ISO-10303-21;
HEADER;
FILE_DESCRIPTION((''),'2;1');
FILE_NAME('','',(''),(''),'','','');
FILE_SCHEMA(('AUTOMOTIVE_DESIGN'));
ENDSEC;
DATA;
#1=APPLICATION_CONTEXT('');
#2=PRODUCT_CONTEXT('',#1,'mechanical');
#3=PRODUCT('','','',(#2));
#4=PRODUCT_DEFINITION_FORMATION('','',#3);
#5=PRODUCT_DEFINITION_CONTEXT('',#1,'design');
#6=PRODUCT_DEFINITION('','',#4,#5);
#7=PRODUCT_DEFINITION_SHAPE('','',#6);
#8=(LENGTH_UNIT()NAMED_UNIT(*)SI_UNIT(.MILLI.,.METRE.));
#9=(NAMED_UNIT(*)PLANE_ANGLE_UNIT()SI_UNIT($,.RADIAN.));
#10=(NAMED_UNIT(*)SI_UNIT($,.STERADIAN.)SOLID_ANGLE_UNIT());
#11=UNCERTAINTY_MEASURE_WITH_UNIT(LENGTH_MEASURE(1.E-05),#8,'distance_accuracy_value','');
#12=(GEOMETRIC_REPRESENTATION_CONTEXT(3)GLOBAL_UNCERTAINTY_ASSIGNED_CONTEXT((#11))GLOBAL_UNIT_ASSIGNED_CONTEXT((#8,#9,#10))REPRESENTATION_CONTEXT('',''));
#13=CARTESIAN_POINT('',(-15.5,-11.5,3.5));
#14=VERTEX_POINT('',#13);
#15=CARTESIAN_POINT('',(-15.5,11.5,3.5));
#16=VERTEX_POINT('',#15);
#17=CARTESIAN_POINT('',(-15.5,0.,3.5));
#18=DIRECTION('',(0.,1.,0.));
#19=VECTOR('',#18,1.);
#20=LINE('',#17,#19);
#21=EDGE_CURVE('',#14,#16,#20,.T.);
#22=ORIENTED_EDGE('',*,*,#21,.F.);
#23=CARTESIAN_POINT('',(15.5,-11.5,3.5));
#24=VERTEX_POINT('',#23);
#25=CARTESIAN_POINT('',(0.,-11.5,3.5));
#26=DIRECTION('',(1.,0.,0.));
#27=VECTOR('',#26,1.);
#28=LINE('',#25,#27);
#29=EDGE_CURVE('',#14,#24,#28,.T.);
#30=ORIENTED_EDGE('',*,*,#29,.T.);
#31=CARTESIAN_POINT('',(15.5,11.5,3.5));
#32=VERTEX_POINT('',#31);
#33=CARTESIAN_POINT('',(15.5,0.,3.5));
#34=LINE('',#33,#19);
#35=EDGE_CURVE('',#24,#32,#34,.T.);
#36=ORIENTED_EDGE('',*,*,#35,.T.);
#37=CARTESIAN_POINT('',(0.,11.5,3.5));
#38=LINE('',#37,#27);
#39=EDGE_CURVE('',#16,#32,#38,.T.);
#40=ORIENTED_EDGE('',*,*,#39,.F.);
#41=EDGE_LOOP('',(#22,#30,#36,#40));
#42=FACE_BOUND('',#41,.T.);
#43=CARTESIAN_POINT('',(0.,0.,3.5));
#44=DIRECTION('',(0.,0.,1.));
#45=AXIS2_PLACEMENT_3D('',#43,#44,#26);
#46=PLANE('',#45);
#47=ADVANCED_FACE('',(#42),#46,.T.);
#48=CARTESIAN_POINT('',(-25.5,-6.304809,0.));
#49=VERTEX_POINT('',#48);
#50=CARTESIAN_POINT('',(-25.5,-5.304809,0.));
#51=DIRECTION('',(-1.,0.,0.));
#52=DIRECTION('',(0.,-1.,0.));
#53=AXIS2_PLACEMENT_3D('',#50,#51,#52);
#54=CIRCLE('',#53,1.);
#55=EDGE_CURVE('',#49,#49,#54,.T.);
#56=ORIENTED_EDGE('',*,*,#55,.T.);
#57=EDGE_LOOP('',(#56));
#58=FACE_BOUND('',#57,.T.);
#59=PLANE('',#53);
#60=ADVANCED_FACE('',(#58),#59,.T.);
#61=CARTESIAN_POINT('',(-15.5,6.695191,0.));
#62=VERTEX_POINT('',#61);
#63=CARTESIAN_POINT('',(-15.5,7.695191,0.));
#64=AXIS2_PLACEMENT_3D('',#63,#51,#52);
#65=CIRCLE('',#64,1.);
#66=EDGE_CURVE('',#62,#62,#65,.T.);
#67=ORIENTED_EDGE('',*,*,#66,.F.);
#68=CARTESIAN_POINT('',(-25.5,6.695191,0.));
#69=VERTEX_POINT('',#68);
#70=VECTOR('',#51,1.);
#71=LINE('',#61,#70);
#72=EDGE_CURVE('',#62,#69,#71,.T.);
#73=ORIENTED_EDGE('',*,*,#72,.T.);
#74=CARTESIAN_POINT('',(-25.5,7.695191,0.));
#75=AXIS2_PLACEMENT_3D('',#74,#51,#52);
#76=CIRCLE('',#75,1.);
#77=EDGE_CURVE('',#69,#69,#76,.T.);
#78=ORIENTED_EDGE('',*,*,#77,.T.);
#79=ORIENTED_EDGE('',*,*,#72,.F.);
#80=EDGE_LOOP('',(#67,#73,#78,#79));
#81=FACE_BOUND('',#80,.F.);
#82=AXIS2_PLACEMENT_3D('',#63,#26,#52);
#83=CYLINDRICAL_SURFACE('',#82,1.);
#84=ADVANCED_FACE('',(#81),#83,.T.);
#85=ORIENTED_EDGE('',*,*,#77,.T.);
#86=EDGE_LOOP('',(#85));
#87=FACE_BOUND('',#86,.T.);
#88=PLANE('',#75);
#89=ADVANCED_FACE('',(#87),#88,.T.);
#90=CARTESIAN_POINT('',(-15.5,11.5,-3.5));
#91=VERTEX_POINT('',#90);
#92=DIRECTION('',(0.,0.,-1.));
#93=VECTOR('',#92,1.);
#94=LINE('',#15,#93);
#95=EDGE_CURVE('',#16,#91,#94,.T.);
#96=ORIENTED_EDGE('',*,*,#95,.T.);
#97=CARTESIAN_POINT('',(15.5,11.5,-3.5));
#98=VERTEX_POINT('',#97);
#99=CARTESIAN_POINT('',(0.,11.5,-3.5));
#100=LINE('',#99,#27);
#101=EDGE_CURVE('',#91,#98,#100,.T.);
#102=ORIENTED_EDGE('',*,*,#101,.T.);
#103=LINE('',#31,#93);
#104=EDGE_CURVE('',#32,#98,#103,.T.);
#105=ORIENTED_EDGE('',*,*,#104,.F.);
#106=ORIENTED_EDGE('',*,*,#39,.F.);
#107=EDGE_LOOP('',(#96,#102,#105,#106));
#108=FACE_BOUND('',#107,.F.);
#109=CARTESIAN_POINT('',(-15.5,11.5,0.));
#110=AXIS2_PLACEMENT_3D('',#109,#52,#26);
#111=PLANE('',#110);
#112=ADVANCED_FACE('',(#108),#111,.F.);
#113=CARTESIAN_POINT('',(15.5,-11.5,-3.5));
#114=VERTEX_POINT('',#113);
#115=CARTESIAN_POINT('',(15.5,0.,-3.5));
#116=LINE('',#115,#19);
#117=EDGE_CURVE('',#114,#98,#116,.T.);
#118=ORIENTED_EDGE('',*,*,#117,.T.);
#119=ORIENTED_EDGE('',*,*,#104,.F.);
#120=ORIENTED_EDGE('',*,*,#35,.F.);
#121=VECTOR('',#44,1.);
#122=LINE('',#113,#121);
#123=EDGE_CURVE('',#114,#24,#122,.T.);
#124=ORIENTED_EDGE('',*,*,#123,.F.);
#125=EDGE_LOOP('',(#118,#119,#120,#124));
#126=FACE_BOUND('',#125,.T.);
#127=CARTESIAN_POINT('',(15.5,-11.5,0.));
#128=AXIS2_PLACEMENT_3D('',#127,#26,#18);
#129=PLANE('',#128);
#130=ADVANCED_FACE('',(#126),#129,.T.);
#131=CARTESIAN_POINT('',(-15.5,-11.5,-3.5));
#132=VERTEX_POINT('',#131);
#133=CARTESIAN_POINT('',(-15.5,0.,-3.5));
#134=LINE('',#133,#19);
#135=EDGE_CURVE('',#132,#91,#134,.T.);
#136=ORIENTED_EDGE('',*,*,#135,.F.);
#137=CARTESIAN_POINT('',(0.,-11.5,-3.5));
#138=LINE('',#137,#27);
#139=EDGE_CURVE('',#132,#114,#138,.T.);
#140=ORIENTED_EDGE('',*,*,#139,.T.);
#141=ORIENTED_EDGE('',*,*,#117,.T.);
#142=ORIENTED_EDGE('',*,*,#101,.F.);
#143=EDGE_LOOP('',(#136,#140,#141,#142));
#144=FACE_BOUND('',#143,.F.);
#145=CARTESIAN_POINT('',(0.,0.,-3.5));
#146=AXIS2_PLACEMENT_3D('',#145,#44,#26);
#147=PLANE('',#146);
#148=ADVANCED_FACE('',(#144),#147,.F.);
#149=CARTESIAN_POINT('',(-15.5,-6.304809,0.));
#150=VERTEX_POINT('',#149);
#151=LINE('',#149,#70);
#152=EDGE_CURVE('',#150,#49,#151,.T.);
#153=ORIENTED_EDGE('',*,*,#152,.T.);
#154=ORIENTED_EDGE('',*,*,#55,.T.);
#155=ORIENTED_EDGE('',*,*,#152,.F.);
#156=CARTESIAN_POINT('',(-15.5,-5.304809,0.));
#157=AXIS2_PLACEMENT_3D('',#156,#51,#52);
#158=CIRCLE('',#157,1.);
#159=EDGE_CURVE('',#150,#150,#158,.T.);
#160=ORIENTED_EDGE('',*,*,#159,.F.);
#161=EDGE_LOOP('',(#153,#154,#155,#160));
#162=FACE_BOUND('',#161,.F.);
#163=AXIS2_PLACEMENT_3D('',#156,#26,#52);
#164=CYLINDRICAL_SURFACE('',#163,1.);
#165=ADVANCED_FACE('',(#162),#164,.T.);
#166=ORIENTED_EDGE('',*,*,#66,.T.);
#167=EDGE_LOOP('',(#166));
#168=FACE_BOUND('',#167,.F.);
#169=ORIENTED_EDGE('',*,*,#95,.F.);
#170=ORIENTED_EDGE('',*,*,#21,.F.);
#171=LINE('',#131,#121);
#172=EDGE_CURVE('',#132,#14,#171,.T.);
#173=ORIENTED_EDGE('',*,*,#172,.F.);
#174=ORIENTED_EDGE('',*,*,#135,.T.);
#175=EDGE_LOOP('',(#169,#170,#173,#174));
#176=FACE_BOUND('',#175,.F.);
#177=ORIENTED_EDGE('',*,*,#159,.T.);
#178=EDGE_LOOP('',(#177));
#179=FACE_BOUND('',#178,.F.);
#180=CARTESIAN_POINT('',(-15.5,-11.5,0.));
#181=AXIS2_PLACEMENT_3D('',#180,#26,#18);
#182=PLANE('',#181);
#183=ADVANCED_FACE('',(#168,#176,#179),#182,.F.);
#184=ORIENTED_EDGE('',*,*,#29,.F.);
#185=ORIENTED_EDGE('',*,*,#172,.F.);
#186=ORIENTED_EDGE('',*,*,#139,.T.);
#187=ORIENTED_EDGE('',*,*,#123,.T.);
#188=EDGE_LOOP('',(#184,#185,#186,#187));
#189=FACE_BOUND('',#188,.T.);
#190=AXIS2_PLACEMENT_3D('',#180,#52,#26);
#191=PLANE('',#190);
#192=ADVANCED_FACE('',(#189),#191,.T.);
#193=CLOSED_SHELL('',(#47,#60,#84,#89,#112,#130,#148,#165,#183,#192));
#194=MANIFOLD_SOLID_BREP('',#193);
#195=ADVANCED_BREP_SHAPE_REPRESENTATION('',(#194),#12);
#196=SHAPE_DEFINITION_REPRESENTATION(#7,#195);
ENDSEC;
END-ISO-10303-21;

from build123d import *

# Parameters (mm, degrees)
SKETCH_W     = 31
SKETCH_H     = 23
PAD_DEPTH    = 3.5
SKETCH001_R  = 1
PAD001_DEPTH = 10


with BuildPart() as part:
    # Sketch → Pad (new body, symmetric)
    with BuildSketch(Plane.XY):
        Rectangle(SKETCH_W, SKETCH_H)
    extrude(amount=PAD_DEPTH, both=True)

    # Sketch001 (on Face4 of Pad) → Pad001 (join)
    with BuildSketch(Plane(origin=(-15.5, 0, 0), x_dir=(0, -1, 0), z_dir=(-1, 0, 0))):
        with Locations((-7.695191, 0)):
            Circle(SKETCH001_R)
        with Locations((5.304809, 0)):
            Circle(SKETCH001_R)
    extrude(amount=PAD001_DEPTH)


solid = part.part
